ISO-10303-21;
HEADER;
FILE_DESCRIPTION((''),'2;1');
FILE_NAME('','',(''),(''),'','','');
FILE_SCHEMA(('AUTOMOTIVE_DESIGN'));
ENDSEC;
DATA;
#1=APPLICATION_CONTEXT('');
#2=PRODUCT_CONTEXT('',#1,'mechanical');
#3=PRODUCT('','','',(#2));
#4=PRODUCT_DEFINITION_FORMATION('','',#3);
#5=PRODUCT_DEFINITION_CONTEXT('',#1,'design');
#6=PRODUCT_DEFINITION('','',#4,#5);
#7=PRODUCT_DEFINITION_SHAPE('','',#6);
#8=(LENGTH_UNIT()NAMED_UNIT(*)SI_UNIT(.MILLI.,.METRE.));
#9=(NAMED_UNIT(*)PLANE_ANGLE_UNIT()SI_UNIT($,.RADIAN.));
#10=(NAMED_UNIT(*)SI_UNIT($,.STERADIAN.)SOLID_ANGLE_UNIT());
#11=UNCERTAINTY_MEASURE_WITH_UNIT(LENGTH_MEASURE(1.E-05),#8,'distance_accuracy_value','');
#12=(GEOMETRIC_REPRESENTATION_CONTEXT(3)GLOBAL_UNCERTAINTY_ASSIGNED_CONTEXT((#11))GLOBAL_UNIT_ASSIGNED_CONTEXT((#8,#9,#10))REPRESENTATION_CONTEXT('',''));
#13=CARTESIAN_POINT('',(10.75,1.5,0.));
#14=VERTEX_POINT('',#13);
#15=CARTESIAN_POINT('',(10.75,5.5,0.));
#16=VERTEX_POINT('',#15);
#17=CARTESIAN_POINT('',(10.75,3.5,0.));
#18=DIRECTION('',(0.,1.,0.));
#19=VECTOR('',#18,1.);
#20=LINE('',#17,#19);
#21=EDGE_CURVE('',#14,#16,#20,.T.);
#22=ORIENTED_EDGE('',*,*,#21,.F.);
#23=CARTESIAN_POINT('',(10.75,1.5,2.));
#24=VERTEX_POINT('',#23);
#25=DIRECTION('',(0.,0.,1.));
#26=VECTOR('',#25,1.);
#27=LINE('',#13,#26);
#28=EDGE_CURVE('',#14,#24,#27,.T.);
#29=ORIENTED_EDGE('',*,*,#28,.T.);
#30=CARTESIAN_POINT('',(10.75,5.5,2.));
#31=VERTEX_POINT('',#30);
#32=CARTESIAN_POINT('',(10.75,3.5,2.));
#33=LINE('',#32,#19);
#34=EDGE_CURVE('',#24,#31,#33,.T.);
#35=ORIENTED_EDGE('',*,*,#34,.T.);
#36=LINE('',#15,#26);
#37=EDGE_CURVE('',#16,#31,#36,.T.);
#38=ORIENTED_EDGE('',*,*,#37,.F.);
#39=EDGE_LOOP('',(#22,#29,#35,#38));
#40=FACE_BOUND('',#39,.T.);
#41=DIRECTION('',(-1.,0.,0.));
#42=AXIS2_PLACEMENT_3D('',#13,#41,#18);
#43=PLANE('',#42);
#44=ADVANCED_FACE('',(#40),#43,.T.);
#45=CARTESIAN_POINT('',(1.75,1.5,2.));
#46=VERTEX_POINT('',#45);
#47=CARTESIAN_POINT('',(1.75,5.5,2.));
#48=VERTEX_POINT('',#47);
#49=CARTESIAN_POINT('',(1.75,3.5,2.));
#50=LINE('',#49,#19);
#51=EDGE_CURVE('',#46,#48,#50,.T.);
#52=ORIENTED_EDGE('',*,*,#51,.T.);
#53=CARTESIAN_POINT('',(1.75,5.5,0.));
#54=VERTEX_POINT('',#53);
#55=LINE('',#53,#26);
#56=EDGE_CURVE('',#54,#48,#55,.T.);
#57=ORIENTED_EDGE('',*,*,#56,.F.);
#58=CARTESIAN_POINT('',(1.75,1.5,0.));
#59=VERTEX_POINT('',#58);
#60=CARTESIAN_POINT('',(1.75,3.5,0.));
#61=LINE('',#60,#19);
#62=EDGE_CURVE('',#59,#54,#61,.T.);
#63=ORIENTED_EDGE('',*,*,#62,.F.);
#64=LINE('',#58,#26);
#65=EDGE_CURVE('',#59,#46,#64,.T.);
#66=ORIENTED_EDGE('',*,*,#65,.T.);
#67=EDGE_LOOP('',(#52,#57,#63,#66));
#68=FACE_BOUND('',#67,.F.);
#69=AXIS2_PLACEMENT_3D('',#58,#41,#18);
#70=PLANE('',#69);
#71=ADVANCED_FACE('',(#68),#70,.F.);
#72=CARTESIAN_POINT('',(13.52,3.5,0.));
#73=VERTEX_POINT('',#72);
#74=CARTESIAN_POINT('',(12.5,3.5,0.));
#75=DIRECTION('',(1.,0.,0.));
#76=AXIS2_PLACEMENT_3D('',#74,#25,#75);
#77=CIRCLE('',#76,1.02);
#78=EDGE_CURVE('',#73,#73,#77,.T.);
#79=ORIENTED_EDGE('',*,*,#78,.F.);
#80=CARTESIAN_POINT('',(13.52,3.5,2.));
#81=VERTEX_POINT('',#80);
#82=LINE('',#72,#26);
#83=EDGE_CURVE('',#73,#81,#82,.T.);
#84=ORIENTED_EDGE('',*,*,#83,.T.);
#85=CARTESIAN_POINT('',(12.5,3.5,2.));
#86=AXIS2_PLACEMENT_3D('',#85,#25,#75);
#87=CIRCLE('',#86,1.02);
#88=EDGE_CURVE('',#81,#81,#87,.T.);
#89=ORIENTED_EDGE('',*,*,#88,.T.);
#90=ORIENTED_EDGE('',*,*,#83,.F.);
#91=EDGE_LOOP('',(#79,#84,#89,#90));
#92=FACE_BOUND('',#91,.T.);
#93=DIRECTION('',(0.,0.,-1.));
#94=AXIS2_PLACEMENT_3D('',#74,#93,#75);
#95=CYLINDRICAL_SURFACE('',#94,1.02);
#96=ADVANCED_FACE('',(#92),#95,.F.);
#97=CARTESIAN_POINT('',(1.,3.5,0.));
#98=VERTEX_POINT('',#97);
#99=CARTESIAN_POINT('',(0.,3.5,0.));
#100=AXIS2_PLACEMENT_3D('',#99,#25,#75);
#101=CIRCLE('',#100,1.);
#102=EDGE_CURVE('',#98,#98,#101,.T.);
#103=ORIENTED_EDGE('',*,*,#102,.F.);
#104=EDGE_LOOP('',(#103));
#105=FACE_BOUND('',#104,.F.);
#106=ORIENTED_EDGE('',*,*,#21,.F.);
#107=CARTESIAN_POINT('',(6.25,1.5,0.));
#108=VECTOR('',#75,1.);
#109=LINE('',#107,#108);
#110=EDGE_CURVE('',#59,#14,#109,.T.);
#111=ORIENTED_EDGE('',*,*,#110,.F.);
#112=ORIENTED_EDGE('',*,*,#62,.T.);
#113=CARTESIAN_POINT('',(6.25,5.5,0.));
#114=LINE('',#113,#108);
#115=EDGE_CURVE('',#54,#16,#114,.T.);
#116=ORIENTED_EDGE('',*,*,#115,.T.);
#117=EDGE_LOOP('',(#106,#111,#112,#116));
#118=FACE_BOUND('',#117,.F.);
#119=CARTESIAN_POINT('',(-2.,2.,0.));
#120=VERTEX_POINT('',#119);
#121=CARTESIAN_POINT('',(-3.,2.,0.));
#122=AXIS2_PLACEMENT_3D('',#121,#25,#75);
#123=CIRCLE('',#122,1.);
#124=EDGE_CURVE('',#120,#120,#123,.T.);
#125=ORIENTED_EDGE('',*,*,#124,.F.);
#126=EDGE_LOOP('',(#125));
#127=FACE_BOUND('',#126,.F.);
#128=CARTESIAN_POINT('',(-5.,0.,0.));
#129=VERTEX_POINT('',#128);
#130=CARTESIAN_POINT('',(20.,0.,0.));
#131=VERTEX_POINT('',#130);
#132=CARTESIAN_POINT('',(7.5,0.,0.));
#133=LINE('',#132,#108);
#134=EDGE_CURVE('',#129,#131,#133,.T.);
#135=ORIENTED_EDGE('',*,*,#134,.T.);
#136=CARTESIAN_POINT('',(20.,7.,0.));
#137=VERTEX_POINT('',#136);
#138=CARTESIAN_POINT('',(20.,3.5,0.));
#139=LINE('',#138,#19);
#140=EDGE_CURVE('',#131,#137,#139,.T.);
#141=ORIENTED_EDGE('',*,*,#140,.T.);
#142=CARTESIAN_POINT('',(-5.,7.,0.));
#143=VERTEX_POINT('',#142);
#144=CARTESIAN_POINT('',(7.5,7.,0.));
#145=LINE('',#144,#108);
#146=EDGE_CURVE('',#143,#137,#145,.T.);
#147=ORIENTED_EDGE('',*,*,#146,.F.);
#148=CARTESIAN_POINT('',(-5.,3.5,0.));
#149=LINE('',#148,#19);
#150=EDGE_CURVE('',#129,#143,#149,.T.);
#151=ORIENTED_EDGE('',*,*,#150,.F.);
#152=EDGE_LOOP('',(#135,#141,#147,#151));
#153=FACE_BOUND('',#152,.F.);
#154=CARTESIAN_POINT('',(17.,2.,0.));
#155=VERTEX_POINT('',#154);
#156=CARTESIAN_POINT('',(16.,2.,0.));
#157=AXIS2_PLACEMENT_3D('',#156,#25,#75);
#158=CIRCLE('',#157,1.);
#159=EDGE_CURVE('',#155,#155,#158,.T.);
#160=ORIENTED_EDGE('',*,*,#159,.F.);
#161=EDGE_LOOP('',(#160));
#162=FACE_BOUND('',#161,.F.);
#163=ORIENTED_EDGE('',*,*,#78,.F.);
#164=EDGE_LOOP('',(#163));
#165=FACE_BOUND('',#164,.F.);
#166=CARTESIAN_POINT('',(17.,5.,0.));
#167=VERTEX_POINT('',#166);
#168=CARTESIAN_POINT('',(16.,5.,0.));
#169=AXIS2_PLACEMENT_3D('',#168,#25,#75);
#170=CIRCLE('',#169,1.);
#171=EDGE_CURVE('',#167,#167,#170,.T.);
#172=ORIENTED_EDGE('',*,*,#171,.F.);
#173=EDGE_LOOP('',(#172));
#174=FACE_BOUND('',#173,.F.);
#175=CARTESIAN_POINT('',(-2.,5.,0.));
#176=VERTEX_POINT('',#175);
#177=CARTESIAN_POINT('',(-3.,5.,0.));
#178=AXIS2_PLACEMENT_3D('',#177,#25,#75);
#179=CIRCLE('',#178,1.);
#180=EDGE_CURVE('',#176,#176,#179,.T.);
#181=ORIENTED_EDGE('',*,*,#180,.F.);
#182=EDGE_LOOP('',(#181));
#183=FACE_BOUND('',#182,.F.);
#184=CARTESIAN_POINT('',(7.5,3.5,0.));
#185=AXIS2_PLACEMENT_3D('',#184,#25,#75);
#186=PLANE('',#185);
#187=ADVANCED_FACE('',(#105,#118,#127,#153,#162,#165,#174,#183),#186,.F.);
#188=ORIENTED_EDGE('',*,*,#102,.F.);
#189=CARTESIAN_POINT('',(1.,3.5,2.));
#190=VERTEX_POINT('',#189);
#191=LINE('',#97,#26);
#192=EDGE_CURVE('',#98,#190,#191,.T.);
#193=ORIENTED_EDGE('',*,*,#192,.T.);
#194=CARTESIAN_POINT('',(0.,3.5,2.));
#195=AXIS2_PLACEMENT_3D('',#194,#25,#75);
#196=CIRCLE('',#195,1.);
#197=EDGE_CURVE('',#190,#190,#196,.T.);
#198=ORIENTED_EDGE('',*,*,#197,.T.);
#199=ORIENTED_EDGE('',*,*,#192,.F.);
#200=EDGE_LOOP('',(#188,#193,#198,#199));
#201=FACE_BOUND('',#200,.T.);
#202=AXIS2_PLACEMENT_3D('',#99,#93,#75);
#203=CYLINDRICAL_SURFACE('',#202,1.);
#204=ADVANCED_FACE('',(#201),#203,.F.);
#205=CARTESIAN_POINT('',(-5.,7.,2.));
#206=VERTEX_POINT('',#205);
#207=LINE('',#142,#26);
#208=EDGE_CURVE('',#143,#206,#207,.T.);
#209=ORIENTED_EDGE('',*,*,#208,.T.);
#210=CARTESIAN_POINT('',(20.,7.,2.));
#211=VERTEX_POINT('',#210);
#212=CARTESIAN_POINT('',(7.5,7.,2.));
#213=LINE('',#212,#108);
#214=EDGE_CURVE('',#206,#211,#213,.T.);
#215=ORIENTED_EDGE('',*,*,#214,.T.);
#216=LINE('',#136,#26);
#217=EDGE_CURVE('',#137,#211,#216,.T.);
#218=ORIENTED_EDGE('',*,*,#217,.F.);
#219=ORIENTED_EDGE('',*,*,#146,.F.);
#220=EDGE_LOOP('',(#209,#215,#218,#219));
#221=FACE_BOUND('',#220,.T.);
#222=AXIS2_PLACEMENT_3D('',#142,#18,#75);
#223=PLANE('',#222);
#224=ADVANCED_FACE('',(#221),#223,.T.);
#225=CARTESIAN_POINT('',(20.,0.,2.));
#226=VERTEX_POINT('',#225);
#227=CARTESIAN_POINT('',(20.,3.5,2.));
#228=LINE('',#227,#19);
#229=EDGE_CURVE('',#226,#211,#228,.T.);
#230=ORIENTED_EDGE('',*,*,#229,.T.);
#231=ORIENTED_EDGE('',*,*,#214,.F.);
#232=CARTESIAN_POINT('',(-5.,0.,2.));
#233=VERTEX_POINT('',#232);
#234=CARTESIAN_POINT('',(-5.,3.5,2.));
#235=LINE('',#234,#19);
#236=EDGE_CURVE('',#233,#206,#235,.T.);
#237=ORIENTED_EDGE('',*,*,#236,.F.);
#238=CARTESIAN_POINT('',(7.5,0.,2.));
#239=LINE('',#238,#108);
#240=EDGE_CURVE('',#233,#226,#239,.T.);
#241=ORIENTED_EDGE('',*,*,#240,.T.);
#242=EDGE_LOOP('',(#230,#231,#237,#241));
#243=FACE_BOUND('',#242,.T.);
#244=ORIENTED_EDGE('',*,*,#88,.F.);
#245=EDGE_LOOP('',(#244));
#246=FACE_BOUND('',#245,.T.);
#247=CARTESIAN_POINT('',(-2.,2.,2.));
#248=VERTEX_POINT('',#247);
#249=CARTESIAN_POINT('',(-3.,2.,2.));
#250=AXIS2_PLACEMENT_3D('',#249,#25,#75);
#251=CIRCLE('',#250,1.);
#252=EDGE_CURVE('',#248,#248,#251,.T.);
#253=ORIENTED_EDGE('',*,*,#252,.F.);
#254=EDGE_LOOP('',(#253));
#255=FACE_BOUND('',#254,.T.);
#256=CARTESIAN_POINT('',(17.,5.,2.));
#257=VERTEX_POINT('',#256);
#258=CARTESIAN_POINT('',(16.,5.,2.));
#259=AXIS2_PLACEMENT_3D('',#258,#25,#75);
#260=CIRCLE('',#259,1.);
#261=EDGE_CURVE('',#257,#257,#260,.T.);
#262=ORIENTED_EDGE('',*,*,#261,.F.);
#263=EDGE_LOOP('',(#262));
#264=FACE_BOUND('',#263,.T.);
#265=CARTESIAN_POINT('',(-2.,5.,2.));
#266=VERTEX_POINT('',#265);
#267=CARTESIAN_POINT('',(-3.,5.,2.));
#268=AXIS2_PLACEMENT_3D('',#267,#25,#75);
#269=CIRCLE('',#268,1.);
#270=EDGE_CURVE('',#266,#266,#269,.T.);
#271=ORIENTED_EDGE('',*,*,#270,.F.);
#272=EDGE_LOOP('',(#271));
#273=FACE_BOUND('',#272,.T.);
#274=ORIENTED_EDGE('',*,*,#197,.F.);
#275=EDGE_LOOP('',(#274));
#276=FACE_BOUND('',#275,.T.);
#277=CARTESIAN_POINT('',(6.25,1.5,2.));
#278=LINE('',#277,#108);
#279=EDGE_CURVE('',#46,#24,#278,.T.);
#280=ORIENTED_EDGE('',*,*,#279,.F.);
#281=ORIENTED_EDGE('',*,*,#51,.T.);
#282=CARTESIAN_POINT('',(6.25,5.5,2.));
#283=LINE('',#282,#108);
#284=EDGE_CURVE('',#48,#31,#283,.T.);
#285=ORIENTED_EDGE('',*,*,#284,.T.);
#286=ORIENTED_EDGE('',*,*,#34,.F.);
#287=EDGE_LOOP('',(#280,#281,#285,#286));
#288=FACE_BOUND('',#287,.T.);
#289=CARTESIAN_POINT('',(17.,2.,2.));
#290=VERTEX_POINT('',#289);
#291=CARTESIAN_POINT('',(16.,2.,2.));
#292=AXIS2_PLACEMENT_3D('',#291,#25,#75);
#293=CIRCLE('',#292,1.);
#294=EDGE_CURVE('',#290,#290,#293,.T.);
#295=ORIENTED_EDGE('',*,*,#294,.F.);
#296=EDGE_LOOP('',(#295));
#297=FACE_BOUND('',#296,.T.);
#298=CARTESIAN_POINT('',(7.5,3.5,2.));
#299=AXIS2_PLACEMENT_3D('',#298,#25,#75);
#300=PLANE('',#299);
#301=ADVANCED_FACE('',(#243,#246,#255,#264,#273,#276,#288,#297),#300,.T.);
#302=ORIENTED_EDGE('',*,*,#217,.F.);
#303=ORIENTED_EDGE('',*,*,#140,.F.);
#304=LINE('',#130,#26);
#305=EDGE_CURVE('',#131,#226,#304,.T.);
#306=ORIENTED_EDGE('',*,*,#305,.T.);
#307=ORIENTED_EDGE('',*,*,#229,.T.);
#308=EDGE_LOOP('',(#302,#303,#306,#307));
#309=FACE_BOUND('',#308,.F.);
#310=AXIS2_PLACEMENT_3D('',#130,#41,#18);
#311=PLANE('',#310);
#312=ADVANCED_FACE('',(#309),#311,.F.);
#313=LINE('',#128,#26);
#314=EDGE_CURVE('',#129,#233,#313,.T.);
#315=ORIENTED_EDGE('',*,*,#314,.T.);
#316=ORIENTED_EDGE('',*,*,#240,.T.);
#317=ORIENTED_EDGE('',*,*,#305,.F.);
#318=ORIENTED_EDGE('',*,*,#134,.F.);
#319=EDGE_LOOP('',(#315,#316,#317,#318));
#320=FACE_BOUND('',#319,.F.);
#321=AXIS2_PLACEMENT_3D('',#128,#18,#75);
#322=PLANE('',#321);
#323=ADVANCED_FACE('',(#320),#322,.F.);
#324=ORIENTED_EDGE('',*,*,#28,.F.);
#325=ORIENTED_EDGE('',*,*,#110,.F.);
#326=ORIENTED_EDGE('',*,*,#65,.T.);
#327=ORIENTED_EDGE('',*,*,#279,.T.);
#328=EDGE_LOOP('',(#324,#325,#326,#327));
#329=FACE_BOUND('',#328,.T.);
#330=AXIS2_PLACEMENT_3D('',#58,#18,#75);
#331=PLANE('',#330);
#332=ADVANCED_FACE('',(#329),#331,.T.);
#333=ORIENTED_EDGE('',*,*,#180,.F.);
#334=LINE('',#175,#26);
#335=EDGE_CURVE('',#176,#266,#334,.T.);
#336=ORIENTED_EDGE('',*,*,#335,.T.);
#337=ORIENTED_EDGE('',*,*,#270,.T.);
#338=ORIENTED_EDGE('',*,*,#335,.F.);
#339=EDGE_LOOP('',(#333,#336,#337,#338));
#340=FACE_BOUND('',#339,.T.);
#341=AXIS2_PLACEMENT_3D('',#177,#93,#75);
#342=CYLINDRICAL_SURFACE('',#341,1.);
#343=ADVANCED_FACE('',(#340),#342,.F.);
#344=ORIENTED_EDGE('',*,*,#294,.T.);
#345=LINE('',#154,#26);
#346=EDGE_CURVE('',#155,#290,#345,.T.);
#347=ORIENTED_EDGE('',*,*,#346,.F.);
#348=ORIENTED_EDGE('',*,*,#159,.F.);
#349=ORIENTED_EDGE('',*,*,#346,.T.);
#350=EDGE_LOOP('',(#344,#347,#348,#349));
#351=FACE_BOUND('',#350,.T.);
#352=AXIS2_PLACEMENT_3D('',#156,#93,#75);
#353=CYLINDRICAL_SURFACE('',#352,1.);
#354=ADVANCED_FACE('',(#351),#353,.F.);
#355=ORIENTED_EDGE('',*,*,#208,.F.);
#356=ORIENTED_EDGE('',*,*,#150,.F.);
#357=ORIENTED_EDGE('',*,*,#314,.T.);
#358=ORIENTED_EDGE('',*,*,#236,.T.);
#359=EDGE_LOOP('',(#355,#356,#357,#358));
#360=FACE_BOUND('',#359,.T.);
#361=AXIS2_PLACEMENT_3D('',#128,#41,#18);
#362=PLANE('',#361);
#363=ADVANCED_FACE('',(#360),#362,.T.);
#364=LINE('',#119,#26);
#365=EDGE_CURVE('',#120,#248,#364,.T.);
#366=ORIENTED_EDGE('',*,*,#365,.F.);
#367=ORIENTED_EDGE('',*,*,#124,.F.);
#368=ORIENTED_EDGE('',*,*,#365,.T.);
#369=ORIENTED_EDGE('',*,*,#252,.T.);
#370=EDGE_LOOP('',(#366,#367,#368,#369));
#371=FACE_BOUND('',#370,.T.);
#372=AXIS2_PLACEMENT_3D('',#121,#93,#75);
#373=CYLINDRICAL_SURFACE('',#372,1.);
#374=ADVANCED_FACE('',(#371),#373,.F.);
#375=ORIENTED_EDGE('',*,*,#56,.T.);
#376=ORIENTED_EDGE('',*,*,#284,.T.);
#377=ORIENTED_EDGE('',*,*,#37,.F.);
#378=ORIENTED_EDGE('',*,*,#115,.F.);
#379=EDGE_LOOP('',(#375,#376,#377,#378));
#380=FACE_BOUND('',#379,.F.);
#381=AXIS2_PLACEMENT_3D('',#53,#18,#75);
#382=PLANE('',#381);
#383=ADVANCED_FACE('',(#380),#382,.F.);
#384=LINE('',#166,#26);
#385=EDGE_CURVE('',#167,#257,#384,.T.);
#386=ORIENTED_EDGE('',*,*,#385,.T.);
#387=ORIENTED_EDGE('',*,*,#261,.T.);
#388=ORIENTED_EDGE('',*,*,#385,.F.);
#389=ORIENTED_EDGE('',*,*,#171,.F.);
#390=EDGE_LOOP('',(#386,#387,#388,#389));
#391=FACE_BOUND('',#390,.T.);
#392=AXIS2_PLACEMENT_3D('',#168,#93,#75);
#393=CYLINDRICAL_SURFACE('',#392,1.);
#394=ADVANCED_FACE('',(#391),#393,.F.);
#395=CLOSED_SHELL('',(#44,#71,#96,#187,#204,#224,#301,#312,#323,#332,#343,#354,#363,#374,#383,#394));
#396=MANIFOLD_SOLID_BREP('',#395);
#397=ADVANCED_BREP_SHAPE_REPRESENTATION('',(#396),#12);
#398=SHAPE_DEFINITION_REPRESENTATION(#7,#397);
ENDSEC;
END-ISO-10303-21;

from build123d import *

# Parameters (mm, degrees)
CYLINDER005_R     = 1
CYLINDER005_DEPTH = 2
CYLINDER004_R     = 1
CYLINDER004_DEPTH = 2
CYLINDER003_R     = 1
CYLINDER003_DEPTH = 2
CYLINDER002_R     = 1
CYLINDER002_DEPTH = 2
CYLINDER001_R     = 1
CYLINDER001_DEPTH = 2
CYLINDER_R        = 1.02
CYLINDER_DEPTH    = 2
BOX001_W          = 9
BOX001_H          = 4
BOX001_DEPTH      = 2
BOX_W             = 25
BOX_H             = 7
BOX_DEPTH         = 2


with BuildPart() as cylinder005:
    # Cylinder005 → Cylinder005 (new body)
    with BuildSketch(Plane(origin=(16, 5, 0), x_dir=(1, 0, 0), z_dir=(0, 0, 1))):
        Circle(CYLINDER005_R)
    extrude(amount=CYLINDER005_DEPTH)


with BuildPart() as cylinder004:
    # Cylinder004 → Cylinder004 (new body)
    with BuildSketch(Plane(origin=(16, 2, 0), x_dir=(1, 0, 0), z_dir=(0, 0, 1))):
        Circle(CYLINDER004_R)
    extrude(amount=CYLINDER004_DEPTH)


with BuildPart() as cylinder003:
    # Cylinder003 → Cylinder003 (new body)
    with BuildSketch(Plane(origin=(-3, 2, 0), x_dir=(1, 0, 0), z_dir=(0, 0, 1))):
        Circle(CYLINDER003_R)
    extrude(amount=CYLINDER003_DEPTH)


with BuildPart() as cylinder002:
    # Cylinder002 → Cylinder002 (new body)
    with BuildSketch(Plane(origin=(-3, 5, 0), x_dir=(1, 0, 0), z_dir=(0, 0, 1))):
        Circle(CYLINDER002_R)
    extrude(amount=CYLINDER002_DEPTH)


with BuildPart() as cylinder001:
    # Cylinder001 → Cylinder001 (new body)
    with BuildSketch(Plane(origin=(0, 3.5, 0), x_dir=(1, 0, 0), z_dir=(0, 0, 1))):
        Circle(CYLINDER001_R)
    extrude(amount=CYLINDER001_DEPTH)


with BuildPart() as cylinder:
    # Cylinder → Cylinder (new body)
    with BuildSketch(Plane(origin=(12.5, 3.5, 0), x_dir=(1, 0, 0), z_dir=(0, 0, 1))):
        Circle(CYLINDER_R)
    extrude(amount=CYLINDER_DEPTH)


with BuildPart() as cube001:
    # Box001 → Box001 (new body)
    with BuildSketch(Plane(origin=(1.75, 1.5, 0), x_dir=(1, 0, 0), z_dir=(0, 0, 1))):
        with Locations((4.5, 2)):
            Rectangle(BOX001_W, BOX001_H)
    extrude(amount=BOX001_DEPTH)


with BuildPart() as cut006:
    # Box → Box (new body)
    with BuildSketch(Plane(origin=(-5, 0, 0), x_dir=(1, 0, 0), z_dir=(0, 0, 1))):
        with Locations((12.5, 3.5)):
            Rectangle(BOX_W, BOX_H)
    extrude(amount=BOX_DEPTH)

    # Cut: cut Cube001
    add(cube001.part, mode=Mode.SUBTRACT)

    # Cut001: cut Cylinder
    add(cylinder.part, mode=Mode.SUBTRACT)

    # Cut002: cut Cylinder001
    add(cylinder001.part, mode=Mode.SUBTRACT)

    # Cut003: cut Cylinder002
    add(cylinder002.part, mode=Mode.SUBTRACT)

    # Cut004: cut Cylinder003
    add(cylinder003.part, mode=Mode.SUBTRACT)

    # Cut005: cut Cylinder004
    add(cylinder004.part, mode=Mode.SUBTRACT)

    # Cut006: cut Cylinder005
    add(cylinder005.part, mode=Mode.SUBTRACT)


solid = cut006.part
